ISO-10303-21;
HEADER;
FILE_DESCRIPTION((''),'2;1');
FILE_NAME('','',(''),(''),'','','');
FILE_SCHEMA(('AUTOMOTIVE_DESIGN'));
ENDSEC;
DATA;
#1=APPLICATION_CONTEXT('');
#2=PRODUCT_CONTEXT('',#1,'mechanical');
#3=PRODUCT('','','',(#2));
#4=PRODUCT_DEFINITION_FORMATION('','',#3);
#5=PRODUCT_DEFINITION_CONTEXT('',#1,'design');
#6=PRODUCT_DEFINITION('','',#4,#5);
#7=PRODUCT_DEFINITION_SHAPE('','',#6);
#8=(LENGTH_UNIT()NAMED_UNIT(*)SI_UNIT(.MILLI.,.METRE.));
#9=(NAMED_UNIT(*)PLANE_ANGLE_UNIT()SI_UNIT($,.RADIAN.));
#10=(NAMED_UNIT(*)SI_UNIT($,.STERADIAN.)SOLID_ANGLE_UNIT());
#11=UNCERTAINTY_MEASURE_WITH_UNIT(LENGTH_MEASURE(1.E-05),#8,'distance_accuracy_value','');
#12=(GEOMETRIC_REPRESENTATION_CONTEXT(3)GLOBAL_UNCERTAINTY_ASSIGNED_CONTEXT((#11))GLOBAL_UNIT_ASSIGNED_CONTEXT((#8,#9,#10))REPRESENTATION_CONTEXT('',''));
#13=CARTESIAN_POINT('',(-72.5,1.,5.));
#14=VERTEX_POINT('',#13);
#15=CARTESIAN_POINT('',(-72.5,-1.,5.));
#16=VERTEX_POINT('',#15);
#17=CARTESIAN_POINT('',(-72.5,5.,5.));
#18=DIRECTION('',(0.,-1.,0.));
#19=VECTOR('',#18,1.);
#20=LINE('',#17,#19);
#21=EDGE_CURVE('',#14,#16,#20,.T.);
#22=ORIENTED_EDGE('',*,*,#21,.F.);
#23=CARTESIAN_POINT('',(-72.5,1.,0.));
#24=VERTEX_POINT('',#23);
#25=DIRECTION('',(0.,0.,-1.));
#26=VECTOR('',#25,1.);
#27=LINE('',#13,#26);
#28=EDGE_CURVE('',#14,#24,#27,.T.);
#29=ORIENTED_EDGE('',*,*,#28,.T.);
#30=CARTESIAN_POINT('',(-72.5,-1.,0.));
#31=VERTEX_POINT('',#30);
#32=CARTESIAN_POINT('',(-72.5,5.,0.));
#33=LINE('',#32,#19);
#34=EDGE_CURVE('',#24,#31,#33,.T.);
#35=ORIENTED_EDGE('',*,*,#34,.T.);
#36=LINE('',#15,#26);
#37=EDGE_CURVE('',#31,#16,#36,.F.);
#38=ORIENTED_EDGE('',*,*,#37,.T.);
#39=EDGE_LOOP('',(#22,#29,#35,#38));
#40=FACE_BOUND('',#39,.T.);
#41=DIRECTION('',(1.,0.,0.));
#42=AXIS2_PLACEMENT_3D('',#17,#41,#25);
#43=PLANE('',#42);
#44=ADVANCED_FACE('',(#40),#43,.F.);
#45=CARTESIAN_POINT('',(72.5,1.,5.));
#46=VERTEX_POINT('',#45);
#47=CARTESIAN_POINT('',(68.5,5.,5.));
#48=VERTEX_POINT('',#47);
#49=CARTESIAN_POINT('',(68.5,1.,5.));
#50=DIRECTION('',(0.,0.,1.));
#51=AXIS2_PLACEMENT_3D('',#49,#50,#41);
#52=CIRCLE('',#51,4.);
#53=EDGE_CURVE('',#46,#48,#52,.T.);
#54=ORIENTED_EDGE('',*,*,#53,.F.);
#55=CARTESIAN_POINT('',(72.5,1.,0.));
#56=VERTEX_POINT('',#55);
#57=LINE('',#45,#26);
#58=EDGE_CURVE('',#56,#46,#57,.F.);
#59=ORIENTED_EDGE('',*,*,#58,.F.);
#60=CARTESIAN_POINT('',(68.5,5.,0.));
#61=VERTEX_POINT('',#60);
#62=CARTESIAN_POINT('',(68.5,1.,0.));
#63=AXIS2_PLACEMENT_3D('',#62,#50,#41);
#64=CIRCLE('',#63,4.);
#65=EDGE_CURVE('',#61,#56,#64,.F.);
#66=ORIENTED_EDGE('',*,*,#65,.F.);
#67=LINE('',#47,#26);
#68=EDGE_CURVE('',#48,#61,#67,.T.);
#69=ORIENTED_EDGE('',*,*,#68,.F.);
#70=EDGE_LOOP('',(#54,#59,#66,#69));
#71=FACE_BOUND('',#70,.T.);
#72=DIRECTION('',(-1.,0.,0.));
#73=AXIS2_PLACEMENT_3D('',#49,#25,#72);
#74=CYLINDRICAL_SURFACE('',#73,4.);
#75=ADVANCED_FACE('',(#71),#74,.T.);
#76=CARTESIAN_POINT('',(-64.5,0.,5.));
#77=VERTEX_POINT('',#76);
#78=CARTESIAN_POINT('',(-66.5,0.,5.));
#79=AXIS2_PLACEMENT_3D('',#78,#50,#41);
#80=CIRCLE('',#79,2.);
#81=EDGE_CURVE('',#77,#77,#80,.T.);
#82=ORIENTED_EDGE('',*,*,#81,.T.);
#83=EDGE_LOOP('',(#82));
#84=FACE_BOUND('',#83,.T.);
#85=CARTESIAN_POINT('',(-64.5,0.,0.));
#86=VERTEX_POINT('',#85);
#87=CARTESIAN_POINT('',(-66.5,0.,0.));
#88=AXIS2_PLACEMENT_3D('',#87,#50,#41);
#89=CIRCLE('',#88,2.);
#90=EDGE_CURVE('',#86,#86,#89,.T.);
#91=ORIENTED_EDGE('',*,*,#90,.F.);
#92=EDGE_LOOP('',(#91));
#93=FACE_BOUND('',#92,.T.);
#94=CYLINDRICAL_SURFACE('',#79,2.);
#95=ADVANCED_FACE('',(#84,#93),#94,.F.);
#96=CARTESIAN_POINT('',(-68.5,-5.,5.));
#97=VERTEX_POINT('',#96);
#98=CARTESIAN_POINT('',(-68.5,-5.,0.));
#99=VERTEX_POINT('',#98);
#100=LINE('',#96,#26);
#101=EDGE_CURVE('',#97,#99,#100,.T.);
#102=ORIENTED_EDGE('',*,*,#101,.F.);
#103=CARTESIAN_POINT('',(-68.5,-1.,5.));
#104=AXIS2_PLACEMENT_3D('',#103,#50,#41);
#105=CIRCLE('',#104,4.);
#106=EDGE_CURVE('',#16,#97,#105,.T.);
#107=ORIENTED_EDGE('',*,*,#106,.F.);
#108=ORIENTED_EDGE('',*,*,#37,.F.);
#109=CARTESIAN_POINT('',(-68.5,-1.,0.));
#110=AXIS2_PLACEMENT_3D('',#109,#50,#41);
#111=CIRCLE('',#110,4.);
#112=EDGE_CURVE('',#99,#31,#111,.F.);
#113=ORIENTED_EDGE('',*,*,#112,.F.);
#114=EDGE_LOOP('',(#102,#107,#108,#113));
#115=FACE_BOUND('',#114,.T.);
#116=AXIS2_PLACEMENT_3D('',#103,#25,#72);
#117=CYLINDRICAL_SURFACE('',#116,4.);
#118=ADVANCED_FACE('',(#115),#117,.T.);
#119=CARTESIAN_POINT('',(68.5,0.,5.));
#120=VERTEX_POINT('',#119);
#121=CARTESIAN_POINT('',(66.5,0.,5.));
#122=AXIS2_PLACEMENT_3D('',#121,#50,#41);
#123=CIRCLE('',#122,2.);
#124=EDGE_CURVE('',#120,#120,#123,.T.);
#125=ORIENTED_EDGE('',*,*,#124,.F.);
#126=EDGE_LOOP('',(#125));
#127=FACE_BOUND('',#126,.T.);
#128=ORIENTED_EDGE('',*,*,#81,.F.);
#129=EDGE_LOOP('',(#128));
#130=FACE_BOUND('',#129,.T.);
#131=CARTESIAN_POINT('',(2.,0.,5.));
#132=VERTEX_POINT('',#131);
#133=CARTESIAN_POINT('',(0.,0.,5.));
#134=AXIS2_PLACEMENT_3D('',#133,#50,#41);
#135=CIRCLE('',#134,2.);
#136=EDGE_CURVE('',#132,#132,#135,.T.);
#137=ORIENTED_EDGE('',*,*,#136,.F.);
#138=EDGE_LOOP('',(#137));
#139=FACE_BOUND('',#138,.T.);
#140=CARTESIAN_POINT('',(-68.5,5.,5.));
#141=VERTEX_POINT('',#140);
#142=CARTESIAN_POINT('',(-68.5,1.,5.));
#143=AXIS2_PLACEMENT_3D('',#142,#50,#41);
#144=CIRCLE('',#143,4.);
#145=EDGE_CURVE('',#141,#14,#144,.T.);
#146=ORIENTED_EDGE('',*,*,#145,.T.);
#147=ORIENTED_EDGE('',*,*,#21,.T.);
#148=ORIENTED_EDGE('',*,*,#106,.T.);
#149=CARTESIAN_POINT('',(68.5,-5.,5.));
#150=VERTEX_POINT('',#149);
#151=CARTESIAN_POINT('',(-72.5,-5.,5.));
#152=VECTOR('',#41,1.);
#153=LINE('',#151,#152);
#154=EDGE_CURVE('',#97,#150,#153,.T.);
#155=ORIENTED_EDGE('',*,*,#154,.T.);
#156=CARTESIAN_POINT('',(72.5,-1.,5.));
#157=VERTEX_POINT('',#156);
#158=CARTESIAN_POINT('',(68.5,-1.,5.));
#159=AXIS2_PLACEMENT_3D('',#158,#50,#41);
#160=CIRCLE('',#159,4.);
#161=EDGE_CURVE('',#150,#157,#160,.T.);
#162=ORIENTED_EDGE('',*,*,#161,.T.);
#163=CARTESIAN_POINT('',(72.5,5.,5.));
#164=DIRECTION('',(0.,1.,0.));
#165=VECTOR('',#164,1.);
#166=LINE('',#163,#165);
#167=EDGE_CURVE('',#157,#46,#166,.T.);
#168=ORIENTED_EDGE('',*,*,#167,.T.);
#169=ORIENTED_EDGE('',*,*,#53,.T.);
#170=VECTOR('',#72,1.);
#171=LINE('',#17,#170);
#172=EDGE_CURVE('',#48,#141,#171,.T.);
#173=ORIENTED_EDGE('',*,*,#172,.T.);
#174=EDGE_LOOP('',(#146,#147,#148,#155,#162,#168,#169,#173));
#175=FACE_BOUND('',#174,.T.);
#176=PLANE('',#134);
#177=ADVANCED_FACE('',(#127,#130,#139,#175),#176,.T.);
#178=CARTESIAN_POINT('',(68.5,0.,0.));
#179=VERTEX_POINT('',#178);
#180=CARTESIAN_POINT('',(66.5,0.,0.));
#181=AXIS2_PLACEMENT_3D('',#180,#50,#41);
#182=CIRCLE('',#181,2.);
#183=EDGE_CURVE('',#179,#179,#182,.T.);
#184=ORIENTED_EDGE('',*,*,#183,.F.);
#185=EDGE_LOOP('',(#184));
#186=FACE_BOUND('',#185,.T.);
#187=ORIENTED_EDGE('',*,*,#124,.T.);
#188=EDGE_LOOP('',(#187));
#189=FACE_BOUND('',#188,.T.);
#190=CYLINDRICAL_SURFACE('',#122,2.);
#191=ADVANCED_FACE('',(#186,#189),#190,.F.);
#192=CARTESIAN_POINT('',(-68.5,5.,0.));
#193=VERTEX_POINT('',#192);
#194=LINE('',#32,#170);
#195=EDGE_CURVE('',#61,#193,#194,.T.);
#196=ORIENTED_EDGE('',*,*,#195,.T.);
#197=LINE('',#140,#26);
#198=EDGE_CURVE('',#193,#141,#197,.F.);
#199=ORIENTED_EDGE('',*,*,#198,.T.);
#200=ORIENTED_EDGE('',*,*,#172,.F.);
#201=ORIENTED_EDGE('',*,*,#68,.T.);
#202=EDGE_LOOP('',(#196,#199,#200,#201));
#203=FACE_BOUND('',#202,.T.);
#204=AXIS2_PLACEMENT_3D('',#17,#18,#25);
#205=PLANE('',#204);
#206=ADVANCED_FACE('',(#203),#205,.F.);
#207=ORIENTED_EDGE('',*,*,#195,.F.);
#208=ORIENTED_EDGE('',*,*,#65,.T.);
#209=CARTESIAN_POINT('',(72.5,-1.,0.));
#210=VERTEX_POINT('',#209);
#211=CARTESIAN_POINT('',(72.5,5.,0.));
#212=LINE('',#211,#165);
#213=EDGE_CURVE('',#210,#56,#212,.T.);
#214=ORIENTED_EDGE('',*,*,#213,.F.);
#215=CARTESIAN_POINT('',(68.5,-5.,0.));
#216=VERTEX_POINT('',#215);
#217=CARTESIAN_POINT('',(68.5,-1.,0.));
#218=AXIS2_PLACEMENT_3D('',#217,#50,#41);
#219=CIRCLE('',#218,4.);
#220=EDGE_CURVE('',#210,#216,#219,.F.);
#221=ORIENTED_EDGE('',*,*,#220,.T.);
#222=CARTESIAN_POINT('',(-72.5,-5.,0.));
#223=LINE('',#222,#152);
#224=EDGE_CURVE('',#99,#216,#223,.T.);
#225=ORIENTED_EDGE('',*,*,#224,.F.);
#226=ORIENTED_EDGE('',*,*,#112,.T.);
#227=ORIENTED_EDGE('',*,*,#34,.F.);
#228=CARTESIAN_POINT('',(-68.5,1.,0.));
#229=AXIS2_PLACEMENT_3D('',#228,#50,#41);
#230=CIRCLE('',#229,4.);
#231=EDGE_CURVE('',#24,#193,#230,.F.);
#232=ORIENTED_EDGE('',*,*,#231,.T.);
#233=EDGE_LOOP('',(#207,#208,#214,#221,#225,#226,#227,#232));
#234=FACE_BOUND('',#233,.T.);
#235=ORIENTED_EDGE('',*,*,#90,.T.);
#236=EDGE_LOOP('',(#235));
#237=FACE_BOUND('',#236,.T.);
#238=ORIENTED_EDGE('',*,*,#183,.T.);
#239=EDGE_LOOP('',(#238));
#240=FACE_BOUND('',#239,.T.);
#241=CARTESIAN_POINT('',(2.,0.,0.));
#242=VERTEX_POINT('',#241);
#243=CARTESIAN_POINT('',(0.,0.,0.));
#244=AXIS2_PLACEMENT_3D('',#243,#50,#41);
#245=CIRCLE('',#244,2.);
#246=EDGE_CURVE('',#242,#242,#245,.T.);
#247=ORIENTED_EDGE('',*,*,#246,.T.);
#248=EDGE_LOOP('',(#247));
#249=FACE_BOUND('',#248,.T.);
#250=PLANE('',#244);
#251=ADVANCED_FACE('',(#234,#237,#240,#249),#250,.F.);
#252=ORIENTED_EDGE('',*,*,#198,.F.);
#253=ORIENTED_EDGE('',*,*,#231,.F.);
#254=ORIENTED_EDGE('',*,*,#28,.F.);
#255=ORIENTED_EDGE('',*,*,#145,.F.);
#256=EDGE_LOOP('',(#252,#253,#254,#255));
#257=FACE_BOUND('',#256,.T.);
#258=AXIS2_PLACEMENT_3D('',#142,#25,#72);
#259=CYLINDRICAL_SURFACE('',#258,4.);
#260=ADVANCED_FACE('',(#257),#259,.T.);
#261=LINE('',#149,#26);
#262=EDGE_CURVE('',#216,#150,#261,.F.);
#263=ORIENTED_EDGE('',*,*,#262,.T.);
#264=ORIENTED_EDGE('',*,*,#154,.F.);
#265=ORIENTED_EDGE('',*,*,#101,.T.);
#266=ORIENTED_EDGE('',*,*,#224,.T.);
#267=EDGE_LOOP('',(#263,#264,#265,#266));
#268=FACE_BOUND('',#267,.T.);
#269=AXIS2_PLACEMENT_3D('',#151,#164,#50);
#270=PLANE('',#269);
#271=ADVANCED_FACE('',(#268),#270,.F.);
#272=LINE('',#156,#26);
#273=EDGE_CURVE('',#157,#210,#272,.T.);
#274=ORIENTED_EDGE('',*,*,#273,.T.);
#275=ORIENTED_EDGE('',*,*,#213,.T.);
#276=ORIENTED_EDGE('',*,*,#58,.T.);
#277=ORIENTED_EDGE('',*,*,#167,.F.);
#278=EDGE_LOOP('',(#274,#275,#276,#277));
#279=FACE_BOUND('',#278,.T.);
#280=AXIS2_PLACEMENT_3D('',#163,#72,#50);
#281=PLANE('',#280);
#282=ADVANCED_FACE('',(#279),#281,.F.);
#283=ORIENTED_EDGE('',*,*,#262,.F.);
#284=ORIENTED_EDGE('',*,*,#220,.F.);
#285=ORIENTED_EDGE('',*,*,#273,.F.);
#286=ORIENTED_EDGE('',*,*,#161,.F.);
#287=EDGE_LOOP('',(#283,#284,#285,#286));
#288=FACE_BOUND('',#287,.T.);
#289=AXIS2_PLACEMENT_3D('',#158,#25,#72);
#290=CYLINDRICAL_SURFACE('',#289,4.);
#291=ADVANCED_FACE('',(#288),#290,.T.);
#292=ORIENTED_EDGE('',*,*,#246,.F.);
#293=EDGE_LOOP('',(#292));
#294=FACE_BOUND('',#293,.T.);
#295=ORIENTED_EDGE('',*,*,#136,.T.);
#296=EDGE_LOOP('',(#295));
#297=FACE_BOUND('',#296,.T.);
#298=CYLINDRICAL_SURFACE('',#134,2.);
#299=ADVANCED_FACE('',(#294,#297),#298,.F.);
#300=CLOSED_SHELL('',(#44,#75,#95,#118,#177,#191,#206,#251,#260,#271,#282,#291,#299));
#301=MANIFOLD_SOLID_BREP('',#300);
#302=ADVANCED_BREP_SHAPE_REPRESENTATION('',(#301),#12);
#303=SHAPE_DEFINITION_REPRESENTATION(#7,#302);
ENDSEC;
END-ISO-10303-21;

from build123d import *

# Parameters (mm, degrees)
SZKIC1_W                    = 145
SZKIC1_H                    = 10
DODANIE_WYCI_GNI_CIE1_DEPTH = 5
OTWORY_USTALAJ_CE_4_0MM1_D  = 4
ZAOKR_GLENIE1_R             = 4


with BuildPart() as part:
    # Szkic1 → Dodanie-wyciągnięcie1 (new body)
    with BuildSketch(Plane.XY):
        Rectangle(SZKIC1_W, SZKIC1_H)
    extrude(amount=DODANIE_WYCI_GNI_CIE1_DEPTH)

    # Otwory ustalające Ø4.0mm1 (through all)
    with Locations(Plane.XY.offset(5)):
        with Locations((0, 0), (-66.5, 0), (66.5, 0)):
            Hole(OTWORY_USTALAJ_CE_4_0MM1_D / 2)

    # Zaokrąglenie1
    zaokr_glenie1_edges = [part.edges().sort_by_distance(p)[0] for p in [
        (72.5, -5, 2.5),
        (-72.5, -5, 2.5),
        (-72.5, 5, 2.5),
        (72.5, 5, 2.5),
    ]]
    fillet(zaokr_glenie1_edges, radius=ZAOKR_GLENIE1_R)


solid = part.part
